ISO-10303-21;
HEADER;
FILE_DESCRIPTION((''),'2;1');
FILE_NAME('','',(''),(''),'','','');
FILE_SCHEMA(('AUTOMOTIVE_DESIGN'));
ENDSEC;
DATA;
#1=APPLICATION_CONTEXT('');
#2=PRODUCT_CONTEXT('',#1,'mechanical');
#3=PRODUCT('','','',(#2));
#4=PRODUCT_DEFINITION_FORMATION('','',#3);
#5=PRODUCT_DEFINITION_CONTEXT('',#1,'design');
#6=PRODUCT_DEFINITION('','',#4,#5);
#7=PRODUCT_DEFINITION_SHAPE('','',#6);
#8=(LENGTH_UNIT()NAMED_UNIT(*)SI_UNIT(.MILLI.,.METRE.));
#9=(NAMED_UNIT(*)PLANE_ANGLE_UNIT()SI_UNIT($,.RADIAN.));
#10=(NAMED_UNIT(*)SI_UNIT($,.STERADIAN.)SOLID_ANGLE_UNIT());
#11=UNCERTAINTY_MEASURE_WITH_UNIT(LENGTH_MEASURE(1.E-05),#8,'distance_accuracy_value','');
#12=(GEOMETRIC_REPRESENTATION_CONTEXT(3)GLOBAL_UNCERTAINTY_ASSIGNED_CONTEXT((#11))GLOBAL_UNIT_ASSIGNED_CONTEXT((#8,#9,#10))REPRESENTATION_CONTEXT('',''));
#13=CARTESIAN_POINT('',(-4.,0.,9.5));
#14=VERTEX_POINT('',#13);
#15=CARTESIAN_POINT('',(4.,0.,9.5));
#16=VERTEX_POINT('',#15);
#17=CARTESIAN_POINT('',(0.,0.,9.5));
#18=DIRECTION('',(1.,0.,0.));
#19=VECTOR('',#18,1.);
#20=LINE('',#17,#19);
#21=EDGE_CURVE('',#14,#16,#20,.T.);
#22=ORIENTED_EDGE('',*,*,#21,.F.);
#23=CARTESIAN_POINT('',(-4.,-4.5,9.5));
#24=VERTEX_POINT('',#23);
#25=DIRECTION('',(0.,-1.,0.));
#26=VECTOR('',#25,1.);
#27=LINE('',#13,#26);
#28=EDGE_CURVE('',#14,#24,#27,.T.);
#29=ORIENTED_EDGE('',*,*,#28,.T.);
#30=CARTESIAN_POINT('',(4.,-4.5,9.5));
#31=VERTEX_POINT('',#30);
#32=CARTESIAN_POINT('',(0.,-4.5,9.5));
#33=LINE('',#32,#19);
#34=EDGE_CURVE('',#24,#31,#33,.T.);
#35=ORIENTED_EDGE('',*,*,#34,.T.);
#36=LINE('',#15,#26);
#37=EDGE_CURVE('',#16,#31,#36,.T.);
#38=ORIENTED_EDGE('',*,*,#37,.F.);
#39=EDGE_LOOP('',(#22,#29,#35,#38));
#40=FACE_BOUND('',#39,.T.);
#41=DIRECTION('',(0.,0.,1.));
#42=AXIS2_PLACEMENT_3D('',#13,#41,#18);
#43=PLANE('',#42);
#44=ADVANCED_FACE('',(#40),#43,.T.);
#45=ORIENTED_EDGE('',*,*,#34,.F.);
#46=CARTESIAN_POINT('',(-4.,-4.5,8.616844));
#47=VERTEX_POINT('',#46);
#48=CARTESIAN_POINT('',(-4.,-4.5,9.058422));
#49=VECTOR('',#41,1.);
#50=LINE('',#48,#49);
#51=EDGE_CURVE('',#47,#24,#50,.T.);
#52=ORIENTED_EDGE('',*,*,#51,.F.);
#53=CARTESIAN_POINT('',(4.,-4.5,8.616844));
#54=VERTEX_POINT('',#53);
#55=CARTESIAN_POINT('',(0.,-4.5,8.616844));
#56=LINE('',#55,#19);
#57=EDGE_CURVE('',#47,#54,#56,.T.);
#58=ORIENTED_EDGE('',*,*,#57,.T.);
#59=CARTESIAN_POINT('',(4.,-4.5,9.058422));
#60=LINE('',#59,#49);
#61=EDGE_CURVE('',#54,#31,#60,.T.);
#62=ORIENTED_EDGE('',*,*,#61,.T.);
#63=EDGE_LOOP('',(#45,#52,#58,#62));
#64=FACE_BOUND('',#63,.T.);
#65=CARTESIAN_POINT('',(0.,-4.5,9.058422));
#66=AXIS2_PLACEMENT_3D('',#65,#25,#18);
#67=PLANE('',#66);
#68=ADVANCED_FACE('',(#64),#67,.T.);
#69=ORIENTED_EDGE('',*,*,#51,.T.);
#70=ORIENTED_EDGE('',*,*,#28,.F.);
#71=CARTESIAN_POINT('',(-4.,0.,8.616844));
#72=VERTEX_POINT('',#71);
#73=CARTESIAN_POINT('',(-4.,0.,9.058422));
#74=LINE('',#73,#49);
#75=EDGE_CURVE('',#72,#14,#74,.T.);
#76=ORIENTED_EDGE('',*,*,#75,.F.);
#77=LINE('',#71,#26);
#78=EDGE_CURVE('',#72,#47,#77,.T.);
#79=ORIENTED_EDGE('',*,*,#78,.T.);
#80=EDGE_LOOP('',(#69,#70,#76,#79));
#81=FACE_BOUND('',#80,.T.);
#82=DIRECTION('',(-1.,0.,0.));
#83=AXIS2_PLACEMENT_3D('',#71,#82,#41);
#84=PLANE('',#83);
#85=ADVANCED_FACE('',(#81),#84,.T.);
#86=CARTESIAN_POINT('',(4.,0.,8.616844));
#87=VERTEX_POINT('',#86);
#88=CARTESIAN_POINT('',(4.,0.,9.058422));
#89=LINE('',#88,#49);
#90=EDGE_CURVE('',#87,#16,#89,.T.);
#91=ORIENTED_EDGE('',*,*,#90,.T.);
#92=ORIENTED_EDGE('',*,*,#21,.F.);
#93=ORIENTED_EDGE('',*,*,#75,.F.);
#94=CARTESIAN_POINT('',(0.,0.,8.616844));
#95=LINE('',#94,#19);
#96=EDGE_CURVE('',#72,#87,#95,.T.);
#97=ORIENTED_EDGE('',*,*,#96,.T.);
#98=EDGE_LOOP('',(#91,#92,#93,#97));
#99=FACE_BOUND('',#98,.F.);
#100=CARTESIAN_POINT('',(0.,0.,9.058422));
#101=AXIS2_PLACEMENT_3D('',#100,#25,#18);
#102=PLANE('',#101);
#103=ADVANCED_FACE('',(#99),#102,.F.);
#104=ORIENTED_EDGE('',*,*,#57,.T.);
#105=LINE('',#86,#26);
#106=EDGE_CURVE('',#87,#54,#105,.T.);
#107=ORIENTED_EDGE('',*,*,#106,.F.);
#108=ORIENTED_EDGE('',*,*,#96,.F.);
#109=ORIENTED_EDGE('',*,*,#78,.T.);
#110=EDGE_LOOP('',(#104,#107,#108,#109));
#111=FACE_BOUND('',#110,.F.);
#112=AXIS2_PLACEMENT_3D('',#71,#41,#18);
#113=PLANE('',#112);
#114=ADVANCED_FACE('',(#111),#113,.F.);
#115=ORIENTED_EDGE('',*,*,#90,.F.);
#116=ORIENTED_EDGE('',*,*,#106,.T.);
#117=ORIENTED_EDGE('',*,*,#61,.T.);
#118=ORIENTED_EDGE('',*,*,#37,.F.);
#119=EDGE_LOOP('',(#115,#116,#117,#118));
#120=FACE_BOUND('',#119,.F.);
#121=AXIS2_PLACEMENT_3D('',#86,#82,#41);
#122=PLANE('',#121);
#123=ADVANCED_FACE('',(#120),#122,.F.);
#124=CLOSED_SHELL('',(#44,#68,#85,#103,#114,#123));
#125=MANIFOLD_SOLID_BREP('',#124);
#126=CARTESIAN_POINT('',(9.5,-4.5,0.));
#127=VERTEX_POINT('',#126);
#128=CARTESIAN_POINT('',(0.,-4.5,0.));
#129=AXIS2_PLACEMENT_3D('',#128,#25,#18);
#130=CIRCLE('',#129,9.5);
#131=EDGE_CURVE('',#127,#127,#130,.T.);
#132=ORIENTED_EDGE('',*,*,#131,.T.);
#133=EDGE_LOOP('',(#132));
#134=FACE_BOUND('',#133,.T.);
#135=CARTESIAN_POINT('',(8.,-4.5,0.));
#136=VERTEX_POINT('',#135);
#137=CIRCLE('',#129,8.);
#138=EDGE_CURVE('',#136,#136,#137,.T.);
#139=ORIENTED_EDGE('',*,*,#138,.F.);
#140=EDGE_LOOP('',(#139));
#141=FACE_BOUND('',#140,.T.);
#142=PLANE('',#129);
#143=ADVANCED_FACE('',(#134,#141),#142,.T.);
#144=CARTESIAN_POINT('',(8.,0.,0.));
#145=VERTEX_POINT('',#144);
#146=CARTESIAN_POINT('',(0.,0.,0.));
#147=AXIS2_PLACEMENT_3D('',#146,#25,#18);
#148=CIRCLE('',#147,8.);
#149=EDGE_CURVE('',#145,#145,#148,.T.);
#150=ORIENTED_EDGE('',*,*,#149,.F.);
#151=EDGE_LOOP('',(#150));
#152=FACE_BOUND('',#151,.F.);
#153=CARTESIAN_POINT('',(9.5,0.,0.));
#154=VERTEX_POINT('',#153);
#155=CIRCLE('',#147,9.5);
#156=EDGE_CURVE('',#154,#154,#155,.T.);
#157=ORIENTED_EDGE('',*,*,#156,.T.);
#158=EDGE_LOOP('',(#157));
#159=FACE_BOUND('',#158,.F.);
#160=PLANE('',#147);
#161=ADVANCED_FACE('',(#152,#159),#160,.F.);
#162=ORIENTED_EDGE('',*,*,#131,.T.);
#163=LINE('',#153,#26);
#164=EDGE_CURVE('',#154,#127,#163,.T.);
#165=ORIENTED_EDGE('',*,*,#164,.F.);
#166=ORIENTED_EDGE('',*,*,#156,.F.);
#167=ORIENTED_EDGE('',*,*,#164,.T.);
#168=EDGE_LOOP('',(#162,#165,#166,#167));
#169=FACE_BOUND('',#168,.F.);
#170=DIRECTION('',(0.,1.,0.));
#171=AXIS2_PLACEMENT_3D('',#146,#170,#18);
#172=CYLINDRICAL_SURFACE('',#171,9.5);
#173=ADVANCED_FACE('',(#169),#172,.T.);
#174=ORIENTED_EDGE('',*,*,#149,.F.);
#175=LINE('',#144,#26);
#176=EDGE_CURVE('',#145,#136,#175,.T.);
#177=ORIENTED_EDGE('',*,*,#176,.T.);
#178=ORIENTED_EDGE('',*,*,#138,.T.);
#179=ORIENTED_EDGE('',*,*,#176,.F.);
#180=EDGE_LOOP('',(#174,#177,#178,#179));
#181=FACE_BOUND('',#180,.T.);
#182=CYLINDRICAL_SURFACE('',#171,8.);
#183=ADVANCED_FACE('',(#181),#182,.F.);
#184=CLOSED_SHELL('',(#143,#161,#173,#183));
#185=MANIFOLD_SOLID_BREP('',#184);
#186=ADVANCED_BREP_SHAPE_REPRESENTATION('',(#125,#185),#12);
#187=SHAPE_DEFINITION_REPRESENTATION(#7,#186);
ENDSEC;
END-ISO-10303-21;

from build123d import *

# Parameters (mm, degrees)
F0_R     = 9.5
F0_R_2   = 8
F1_DEPTH = 4.5
F2_W     = 8
F2_H     = 0.883156
F3_DEPTH = 4.5


with BuildPart() as f1:
    # F0 (on Front) → F1 (new body)
    with BuildSketch(Plane.XZ):
        Circle(F0_R)
        Circle(F0_R_2, mode=Mode.SUBTRACT)
    extrude(amount=F1_DEPTH)


with BuildPart() as f3:
    # F2 (on Front) → F3 (new body)
    with BuildSketch(Plane.XZ):
        with Locations((0, 9.058422)):
            Rectangle(F2_W, F2_H)
    extrude(amount=F3_DEPTH)


solid = Compound([f1.part, f3.part])
